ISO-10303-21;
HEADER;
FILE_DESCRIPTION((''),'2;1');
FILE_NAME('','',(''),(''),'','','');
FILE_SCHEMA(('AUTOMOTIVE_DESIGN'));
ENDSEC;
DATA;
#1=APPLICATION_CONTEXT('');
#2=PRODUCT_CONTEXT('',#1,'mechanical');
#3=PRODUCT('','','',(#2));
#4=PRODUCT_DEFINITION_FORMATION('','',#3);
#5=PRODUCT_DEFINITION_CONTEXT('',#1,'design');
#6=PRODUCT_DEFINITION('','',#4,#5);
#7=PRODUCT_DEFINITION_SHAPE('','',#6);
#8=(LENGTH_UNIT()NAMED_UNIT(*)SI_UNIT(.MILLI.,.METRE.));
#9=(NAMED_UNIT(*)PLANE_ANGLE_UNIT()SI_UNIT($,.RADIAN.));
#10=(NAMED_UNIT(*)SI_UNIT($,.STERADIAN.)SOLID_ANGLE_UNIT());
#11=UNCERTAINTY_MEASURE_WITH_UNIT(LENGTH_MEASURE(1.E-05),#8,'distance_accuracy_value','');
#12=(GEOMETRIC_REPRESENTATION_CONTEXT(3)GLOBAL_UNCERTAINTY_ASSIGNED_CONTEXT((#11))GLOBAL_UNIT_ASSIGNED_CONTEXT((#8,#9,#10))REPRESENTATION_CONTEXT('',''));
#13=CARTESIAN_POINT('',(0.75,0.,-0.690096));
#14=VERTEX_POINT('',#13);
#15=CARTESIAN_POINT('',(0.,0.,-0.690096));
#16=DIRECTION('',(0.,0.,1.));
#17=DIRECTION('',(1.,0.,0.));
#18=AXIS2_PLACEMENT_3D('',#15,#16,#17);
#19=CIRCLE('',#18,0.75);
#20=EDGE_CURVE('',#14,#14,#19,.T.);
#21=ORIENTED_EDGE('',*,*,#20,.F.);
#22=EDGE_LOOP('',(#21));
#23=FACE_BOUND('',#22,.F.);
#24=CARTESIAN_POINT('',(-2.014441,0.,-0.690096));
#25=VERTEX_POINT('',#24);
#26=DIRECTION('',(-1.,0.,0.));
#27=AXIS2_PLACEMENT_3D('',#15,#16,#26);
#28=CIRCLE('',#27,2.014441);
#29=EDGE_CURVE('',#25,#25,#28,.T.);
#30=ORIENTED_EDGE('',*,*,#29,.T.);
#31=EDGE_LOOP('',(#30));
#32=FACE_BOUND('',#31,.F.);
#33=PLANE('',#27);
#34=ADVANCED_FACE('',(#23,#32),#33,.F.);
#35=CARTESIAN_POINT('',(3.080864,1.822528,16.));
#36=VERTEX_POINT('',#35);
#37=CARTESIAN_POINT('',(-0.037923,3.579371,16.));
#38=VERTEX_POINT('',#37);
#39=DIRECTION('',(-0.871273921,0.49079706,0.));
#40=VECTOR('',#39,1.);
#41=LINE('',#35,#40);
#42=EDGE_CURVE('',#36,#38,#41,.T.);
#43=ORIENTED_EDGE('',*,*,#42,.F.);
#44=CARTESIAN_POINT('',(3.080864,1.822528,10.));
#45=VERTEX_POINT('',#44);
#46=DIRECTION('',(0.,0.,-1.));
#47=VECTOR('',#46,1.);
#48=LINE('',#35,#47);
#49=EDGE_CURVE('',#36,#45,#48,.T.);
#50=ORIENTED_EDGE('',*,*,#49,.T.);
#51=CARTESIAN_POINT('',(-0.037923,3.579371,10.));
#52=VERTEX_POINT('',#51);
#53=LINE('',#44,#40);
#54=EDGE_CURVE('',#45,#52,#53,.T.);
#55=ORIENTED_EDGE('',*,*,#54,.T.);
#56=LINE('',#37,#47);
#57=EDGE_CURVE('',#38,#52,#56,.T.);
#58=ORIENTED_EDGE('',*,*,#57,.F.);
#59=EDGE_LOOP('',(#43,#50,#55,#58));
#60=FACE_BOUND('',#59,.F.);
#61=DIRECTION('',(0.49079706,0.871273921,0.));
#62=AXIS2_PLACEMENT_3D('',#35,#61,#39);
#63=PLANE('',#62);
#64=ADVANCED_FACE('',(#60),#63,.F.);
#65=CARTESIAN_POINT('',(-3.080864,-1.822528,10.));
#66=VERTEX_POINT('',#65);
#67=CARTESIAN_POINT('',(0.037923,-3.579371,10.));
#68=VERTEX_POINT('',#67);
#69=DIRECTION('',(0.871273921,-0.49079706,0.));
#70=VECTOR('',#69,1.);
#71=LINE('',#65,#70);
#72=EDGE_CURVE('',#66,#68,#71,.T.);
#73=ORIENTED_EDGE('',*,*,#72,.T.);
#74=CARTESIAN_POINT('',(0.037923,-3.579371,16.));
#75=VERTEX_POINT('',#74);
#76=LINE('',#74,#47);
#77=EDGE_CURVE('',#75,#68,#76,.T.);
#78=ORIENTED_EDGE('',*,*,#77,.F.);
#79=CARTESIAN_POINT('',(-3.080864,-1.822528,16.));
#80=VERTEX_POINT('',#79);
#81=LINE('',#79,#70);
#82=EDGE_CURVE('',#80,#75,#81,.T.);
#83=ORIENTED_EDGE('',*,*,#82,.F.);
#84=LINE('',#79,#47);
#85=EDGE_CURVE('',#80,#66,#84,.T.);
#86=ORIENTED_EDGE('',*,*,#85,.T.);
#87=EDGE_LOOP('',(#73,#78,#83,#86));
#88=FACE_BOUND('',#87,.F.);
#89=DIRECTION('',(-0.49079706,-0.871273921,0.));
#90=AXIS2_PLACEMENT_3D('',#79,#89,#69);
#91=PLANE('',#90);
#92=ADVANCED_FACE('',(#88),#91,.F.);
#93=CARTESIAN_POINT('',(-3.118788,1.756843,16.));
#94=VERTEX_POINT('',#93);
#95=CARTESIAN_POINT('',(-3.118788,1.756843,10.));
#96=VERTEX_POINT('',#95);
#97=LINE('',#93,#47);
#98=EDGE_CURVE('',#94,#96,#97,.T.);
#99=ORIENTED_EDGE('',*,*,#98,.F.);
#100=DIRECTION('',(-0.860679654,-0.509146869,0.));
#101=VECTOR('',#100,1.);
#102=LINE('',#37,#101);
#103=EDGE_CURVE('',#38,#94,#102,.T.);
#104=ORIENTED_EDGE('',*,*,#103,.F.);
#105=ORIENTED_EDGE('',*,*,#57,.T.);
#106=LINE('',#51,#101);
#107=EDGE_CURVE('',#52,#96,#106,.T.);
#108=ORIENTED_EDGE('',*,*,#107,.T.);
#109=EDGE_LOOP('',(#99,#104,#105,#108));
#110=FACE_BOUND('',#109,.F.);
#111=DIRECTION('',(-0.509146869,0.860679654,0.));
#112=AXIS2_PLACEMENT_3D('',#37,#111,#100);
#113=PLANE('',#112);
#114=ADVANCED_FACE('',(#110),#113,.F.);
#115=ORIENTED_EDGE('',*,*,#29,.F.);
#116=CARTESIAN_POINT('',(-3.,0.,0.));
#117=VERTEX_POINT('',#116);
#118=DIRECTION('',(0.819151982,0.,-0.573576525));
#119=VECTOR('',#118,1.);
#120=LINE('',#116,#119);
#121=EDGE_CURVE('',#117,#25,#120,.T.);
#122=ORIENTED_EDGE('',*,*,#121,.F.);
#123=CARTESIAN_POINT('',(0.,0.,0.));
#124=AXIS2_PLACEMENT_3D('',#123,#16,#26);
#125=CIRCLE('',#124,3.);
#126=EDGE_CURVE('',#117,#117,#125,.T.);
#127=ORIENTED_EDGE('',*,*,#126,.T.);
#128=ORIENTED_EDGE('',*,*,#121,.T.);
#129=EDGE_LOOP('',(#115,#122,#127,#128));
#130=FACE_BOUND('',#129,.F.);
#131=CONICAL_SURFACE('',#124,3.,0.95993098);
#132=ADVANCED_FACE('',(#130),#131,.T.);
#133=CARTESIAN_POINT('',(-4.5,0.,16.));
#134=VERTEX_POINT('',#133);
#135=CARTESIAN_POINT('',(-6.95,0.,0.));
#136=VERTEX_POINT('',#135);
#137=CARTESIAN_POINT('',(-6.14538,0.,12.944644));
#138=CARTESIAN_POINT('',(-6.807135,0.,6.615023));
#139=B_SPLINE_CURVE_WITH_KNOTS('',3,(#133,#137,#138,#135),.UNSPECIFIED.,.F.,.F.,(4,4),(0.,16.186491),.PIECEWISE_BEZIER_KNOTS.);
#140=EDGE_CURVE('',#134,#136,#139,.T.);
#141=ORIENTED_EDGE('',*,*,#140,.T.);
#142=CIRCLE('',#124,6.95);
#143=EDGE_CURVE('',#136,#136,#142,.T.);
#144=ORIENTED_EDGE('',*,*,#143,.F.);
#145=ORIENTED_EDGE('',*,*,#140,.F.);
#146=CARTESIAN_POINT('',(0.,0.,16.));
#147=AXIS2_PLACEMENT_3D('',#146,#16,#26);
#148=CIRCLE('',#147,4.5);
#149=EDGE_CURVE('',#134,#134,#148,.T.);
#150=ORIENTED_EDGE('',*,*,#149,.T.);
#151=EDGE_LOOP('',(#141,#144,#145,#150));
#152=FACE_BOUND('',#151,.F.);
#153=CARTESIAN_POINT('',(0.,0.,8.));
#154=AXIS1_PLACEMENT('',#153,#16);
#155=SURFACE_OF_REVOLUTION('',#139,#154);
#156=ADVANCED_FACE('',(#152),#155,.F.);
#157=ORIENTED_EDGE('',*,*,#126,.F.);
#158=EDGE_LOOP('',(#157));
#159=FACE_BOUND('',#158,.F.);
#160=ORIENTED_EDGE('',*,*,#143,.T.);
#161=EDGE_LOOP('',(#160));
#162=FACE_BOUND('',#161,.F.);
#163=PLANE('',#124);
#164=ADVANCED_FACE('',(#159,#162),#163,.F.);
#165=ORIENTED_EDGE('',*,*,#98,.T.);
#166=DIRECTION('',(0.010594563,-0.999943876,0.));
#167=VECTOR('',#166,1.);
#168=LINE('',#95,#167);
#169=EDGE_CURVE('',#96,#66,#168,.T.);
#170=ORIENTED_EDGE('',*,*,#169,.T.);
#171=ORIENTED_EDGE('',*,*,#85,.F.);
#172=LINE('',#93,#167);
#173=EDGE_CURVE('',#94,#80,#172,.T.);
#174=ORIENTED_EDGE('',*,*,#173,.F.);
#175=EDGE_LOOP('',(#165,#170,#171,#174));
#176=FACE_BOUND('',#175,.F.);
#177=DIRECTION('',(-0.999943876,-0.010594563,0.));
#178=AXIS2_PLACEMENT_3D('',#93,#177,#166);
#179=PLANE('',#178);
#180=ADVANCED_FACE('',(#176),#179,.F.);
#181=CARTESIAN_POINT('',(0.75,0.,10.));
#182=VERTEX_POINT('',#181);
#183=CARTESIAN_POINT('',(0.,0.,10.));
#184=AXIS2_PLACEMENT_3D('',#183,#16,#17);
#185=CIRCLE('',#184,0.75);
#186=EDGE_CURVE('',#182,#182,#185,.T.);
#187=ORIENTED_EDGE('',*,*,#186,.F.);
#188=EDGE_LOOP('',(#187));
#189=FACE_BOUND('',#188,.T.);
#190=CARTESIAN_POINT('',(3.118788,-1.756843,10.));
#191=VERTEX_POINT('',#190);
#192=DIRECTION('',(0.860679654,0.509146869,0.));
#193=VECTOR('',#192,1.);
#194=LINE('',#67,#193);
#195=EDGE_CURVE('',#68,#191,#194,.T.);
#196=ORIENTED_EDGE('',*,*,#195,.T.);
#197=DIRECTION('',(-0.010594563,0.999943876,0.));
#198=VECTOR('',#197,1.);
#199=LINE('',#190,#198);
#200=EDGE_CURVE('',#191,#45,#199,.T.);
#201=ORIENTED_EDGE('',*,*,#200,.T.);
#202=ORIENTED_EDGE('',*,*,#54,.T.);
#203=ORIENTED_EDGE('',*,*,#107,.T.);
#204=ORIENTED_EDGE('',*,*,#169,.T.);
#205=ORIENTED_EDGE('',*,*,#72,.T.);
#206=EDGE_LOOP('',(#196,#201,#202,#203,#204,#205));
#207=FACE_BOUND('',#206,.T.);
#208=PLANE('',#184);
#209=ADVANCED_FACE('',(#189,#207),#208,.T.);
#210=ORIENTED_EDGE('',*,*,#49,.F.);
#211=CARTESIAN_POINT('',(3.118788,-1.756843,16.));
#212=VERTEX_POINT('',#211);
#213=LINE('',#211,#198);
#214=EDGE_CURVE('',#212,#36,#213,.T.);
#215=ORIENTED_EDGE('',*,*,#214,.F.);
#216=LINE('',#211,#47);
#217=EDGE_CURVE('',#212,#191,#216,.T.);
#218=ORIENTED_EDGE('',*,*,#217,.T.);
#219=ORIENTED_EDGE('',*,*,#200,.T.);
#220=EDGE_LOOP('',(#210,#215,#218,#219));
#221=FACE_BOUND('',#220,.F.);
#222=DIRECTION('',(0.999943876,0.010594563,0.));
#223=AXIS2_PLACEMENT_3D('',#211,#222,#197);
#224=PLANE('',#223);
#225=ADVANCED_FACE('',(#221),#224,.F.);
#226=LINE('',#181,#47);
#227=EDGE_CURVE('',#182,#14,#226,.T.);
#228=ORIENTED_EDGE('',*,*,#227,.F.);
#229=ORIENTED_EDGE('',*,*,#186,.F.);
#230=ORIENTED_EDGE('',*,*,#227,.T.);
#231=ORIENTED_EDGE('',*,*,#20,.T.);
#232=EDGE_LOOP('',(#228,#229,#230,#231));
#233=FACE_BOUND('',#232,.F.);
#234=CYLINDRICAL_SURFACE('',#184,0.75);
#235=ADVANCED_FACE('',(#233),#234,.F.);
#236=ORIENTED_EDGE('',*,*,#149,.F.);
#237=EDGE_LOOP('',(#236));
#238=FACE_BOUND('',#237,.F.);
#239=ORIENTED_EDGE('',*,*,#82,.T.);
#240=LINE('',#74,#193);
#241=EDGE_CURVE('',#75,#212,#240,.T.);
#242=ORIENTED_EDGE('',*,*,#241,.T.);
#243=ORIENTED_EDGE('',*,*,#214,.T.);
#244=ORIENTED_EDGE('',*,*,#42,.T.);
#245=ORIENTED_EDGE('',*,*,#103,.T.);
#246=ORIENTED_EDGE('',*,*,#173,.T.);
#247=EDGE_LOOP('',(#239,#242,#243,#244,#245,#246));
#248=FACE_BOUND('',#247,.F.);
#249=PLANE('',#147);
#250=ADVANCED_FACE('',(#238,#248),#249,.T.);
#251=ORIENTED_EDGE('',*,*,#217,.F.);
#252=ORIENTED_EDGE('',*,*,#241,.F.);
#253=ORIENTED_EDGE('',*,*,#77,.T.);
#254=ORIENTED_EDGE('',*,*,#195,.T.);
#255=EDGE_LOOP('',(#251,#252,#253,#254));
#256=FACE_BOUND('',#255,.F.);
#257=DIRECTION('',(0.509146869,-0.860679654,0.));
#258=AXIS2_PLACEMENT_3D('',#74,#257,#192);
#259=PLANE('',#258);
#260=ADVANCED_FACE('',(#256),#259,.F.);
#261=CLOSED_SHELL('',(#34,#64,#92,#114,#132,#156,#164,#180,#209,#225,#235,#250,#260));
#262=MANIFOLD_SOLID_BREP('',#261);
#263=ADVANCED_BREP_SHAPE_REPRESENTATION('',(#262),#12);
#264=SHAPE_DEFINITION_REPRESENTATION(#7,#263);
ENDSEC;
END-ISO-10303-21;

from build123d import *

# Parameters (mm, degrees)
F3_DEPTH = 6
F4_R     = 0.75
F5_DEPTH = 10.691096


with BuildPart() as f1:
    # F0 (on Front) → F1 (revolve)
    with BuildSketch(Plane.XZ):
        with BuildLine():
            Line((0, -0.690096), (0, 0))
            Line((0, 0), (0, 16))
            Line((0, 16), (-4.5, 16))
            add(Edge.make_bspline(
                [(-4.5, 16), (-6.14538, 12.944644), (-6.807135, 6.615023), (-6.95, 0)],
                knots=[0, 0, 0, 0, 16.186491, 16.186491, 16.186491, 16.186491], degree=3))
            Line((-6.95, 0), (-3, 0))
            Line((-3, 0), (-2.014441, -0.690096))
            Line((-2.014441, -0.690096), (0, -0.690096))
        make_face()
    revolve(axis=Axis((0, 0, 8), (0, 0, 1)))

    # F2 (on face) → F3 (cut)
    with BuildSketch(Plane.XY.offset(16)):
        Polygon((-0.037923, 3.579371), (-3.118788, 1.756843), (-3.080864, -1.822528), (0.037923, -3.579371), (3.118788, -1.756843), (3.080864, 1.822528), align=None)
    extrude(amount=-F3_DEPTH, mode=Mode.SUBTRACT)

    # F4 (on face) → F5 (cut, through all)
    with BuildSketch(Plane.XY.offset(10)):
        Circle(F4_R)
    extrude(amount=-F5_DEPTH, mode=Mode.SUBTRACT)


solid = f1.part
